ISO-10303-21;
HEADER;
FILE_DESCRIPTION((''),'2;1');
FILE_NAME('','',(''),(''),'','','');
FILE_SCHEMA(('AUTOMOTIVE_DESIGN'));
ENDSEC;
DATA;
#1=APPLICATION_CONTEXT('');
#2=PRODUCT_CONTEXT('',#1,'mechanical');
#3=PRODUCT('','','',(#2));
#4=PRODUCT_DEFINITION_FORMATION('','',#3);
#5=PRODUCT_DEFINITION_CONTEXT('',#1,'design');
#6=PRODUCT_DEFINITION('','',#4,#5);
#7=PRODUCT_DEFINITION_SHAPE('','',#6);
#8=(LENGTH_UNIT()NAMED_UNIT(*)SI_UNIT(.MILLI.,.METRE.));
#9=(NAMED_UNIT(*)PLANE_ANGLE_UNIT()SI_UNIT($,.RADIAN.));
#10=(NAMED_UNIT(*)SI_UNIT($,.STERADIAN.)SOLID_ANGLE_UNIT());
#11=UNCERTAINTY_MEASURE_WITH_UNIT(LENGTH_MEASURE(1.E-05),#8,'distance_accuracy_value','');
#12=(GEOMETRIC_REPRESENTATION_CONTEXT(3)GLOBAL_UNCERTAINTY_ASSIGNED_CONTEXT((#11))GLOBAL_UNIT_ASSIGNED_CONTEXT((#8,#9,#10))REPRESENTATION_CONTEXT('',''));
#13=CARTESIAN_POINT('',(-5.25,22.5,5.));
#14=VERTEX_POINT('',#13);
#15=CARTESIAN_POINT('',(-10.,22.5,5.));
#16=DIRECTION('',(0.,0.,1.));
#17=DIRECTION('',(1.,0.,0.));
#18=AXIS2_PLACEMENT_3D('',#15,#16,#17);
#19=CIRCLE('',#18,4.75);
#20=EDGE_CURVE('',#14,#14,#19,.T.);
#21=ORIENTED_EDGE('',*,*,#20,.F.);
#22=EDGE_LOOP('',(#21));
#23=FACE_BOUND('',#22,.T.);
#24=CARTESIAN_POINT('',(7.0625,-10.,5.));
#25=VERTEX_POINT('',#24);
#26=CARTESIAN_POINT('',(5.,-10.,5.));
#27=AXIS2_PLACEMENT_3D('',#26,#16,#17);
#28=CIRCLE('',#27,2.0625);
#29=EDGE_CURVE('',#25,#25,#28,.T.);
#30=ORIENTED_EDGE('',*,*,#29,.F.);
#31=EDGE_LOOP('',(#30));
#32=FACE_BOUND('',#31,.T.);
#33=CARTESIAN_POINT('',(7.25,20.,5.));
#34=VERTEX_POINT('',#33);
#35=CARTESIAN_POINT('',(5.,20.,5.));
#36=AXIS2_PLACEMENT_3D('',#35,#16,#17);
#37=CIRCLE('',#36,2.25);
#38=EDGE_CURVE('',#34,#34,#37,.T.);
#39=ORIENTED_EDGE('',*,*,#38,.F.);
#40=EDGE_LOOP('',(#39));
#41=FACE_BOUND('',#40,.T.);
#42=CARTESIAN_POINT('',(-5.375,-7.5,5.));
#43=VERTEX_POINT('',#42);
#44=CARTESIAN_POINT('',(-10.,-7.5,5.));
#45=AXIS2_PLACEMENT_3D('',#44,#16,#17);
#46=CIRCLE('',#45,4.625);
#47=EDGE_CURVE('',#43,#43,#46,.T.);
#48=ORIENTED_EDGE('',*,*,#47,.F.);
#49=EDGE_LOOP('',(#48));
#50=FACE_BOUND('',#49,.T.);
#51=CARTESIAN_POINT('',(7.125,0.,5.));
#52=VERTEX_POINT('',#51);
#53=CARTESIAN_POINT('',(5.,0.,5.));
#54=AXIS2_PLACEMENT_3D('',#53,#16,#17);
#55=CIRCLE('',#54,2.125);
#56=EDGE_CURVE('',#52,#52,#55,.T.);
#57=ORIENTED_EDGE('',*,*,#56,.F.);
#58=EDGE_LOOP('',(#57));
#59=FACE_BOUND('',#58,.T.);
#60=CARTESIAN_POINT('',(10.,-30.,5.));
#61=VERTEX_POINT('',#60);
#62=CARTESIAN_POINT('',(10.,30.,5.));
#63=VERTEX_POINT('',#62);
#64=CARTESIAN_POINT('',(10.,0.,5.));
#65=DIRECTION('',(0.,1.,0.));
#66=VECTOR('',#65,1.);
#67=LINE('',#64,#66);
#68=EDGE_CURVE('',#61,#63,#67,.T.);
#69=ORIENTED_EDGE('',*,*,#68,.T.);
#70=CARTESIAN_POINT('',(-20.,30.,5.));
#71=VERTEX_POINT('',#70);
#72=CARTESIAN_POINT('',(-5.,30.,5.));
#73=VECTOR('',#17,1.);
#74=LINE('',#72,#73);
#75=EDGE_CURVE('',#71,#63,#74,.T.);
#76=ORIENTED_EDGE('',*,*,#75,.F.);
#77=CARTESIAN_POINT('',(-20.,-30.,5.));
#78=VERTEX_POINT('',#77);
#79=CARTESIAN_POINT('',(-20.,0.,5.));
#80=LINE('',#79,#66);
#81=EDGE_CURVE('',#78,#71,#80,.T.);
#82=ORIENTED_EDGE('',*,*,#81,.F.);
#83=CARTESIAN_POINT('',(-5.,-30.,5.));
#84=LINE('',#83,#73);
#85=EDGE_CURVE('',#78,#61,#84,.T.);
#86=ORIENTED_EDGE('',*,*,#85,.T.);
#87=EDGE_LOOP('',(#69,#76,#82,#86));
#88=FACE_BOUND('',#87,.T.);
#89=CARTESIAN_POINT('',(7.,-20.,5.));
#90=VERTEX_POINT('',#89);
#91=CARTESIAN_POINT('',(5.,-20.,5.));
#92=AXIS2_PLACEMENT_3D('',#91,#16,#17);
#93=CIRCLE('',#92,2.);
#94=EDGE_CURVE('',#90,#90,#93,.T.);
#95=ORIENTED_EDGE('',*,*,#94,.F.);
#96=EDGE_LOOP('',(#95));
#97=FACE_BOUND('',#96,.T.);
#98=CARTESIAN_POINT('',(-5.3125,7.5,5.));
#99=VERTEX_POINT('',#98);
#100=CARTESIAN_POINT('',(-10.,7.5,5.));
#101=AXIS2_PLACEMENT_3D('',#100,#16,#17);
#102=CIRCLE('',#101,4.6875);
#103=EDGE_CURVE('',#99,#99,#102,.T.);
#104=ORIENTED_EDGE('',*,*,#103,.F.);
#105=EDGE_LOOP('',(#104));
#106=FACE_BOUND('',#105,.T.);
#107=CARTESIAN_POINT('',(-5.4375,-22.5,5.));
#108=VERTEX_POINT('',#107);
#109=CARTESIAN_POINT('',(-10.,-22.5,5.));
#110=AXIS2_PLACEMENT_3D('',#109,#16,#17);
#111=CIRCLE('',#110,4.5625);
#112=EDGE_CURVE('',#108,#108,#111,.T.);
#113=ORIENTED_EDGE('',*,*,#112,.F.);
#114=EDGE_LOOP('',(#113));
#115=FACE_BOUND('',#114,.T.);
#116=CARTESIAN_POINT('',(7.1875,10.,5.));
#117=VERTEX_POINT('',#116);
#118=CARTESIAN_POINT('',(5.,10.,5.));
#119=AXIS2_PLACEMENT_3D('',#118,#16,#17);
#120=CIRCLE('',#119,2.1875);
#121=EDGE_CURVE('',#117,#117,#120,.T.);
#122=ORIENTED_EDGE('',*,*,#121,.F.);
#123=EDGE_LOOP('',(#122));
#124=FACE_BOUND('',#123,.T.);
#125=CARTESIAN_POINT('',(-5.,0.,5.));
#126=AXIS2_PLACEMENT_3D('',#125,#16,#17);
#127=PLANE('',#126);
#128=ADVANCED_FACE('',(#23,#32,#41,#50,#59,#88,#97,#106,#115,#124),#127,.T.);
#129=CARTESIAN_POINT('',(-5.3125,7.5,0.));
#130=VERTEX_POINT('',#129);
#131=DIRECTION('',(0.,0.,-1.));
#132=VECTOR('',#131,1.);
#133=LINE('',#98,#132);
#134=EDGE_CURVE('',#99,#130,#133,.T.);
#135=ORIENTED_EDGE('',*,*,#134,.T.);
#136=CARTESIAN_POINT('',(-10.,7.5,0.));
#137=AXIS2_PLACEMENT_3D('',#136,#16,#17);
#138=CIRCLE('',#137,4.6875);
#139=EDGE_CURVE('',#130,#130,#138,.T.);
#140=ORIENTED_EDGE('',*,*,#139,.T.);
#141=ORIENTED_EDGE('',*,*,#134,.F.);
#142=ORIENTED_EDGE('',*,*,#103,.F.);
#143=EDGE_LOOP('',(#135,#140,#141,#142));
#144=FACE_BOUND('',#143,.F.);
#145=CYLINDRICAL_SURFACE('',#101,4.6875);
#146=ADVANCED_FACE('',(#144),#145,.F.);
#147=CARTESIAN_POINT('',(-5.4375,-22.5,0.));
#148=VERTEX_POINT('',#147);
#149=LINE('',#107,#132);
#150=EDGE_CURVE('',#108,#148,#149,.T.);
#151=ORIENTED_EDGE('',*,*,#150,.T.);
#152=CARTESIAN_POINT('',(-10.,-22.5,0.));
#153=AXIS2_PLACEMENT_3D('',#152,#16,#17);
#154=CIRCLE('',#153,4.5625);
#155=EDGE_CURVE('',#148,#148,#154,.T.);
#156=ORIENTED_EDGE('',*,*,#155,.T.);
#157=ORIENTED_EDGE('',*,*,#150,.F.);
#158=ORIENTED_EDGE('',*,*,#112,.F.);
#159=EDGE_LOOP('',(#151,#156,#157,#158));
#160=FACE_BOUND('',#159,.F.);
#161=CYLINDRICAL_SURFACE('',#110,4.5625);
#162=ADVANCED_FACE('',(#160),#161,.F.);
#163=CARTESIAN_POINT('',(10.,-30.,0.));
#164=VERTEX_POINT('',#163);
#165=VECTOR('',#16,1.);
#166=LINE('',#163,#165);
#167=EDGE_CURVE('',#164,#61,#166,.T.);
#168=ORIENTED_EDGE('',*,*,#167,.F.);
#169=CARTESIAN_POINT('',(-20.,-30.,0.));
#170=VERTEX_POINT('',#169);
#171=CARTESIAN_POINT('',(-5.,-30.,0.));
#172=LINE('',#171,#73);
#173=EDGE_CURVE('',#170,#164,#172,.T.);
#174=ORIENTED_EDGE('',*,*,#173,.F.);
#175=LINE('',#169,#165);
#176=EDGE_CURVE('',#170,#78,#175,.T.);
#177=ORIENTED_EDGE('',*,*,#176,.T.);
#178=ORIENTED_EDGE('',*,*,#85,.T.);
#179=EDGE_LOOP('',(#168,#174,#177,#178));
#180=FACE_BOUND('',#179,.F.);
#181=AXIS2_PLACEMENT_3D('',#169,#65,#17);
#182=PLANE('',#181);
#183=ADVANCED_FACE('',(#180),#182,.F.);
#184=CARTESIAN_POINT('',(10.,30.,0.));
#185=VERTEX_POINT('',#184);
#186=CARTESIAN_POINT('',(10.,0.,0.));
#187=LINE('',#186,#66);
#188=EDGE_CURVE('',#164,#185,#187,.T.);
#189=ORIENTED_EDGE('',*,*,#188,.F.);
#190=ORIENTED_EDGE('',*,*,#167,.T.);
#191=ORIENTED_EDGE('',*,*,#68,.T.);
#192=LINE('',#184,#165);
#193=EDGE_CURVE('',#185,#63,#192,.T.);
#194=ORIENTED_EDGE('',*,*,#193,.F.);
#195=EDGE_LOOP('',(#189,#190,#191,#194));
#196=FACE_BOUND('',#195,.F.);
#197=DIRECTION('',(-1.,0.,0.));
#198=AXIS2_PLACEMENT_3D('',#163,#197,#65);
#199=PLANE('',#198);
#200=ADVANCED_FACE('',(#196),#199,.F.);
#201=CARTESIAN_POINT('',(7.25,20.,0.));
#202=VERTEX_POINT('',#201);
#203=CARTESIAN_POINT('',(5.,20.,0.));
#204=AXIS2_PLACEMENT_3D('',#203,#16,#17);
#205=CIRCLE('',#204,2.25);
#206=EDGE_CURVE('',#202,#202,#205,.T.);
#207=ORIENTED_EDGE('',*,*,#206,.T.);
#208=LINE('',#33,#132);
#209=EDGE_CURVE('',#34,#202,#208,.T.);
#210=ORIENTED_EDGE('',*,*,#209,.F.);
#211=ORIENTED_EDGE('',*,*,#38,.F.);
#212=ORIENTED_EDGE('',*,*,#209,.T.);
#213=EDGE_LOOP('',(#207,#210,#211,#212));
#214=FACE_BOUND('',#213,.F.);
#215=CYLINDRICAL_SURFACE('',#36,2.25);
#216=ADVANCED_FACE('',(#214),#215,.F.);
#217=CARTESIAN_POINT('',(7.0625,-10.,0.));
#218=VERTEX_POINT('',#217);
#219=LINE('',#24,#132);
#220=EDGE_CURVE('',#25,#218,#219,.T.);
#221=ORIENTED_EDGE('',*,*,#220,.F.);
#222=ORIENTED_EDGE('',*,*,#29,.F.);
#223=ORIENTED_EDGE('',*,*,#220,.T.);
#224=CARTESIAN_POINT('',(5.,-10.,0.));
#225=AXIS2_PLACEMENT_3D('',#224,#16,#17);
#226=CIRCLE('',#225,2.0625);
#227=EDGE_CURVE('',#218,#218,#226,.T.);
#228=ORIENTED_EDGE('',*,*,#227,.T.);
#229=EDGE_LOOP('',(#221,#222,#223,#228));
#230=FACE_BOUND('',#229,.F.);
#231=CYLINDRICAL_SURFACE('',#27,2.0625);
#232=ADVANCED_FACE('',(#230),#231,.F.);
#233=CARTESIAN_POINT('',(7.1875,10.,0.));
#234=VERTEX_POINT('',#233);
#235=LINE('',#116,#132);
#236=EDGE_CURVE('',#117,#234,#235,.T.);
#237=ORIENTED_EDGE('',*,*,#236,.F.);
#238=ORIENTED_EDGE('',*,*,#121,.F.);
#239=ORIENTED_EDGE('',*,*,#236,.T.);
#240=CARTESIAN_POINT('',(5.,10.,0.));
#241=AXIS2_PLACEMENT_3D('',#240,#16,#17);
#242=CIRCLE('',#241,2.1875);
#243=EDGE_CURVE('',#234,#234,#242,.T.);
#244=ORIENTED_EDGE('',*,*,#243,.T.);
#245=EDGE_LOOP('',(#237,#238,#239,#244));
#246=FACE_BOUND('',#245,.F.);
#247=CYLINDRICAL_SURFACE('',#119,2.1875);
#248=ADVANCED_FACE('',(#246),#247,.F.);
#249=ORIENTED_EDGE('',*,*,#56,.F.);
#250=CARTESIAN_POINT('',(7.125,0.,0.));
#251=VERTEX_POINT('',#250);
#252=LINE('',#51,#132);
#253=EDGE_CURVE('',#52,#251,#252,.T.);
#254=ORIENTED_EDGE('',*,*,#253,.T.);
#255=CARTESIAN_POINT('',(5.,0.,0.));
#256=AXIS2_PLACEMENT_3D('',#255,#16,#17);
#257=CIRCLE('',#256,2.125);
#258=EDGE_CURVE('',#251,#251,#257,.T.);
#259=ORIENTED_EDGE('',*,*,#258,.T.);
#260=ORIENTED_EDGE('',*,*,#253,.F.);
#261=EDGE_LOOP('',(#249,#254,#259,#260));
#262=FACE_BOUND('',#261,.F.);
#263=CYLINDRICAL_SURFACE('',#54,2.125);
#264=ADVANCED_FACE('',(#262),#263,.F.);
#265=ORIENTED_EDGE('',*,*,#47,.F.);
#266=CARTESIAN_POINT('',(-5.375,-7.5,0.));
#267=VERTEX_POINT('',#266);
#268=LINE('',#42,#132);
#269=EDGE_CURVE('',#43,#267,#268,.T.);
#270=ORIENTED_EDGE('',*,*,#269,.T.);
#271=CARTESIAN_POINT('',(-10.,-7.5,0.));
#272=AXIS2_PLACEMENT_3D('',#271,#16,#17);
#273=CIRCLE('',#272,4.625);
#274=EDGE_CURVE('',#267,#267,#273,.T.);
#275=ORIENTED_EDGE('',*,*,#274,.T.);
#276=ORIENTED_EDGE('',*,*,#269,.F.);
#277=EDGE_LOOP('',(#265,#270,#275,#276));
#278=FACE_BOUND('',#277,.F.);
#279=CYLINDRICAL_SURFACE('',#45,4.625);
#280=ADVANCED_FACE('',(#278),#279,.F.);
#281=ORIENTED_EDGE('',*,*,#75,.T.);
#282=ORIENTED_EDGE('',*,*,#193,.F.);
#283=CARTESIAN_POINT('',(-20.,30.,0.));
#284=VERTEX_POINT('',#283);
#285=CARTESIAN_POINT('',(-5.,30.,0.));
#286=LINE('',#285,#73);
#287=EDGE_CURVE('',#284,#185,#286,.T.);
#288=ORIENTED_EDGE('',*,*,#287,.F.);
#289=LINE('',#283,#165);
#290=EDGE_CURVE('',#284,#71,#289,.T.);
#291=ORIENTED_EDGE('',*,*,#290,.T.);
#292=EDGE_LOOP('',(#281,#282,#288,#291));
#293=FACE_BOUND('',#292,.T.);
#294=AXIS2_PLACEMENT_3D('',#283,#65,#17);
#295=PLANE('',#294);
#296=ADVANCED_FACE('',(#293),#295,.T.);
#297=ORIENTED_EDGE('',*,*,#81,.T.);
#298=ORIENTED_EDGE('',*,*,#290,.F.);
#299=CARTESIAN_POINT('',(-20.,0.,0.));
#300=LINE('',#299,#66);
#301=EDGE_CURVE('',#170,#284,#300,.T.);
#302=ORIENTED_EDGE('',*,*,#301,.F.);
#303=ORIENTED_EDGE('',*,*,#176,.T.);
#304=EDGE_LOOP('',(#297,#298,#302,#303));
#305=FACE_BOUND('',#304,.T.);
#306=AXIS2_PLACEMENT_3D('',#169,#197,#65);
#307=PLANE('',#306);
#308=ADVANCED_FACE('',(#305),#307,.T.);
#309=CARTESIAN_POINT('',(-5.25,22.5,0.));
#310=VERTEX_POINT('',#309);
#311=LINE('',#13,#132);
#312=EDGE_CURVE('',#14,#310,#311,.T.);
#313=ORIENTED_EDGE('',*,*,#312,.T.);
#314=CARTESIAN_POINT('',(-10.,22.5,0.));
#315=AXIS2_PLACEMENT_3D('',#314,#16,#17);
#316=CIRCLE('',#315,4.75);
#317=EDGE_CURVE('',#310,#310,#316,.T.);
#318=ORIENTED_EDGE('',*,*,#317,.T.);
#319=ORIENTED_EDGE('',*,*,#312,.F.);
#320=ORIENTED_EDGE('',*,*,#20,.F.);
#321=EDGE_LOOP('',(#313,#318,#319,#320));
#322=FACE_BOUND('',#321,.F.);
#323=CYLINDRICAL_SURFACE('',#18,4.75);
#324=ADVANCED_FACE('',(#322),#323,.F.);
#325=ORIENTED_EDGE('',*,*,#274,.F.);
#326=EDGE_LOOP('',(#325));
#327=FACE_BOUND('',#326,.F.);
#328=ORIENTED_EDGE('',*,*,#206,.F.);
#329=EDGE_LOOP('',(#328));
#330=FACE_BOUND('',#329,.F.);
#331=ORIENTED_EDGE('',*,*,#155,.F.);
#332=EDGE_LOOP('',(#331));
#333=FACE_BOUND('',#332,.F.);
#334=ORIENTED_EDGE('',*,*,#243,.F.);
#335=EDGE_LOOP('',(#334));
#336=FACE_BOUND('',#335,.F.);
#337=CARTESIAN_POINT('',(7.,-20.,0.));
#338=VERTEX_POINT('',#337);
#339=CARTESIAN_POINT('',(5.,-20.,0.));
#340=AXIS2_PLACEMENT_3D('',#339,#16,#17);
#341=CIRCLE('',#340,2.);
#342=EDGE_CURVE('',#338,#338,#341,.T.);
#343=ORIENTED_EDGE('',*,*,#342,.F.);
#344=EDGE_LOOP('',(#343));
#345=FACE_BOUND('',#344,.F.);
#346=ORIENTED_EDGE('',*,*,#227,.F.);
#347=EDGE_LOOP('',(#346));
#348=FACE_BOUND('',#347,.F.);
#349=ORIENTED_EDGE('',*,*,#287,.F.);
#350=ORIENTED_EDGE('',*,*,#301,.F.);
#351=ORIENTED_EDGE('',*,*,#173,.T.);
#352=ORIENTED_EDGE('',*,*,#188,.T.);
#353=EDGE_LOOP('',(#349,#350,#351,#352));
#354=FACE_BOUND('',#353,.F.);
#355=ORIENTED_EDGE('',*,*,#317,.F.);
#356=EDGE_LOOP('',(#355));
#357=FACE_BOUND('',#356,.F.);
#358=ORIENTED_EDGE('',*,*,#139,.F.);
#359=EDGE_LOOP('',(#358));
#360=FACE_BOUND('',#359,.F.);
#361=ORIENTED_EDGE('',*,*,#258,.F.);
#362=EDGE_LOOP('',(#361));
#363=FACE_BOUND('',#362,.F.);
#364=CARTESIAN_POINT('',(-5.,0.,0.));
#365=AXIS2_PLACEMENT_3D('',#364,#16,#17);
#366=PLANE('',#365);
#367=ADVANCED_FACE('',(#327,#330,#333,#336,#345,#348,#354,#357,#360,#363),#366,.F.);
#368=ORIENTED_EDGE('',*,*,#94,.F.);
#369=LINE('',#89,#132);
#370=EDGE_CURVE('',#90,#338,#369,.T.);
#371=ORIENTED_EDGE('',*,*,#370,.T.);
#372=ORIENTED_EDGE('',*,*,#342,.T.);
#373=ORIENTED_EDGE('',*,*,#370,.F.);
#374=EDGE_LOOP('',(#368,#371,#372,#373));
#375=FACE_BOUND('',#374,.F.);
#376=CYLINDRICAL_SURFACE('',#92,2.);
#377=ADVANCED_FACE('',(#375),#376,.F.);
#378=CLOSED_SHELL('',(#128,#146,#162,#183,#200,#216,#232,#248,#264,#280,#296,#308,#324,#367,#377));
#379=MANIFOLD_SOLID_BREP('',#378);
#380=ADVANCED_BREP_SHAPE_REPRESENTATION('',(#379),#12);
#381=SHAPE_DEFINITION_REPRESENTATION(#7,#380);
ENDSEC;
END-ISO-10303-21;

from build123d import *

# Parameters (mm, degrees)
F0_W     = 30
F0_H     = 60
F1_DEPTH = 5
F2_R     = 4.75
F2_R_2   = 4.6875
F2_R_3   = 4.625
F2_R_4   = 4.5625
F2_R_5   = 2
F2_R_6   = 2.0625
F2_R_7   = 2.125
F2_R_8   = 2.1875
F2_R_9   = 2.25
F3_DEPTH = 5.001


with BuildPart() as f1:
    # F0 (on Top) → F1 (new body)
    with BuildSketch(Plane.XY):
        with Locations((-5, 0)):
            Rectangle(F0_W, F0_H)
    extrude(amount=F1_DEPTH)

    # F2 (on face) → F3 (cut, through all)
    with BuildSketch(Plane.XY.offset(5)):
        with Locations((-10, 22.5)):
            Circle(F2_R)
        with Locations((-10, 7.5)):
            Circle(F2_R_2)
        with Locations((-10, -7.5)):
            Circle(F2_R_3)
        with Locations((-10, -22.5)):
            Circle(F2_R_4)
        with Locations((5, -20)):
            Circle(F2_R_5)
        with Locations((5, -10)):
            Circle(F2_R_6)
        with Locations((5, 0)):
            Circle(F2_R_7)
        with Locations((5, 10)):
            Circle(F2_R_8)
        with Locations((5, 20)):
            Circle(F2_R_9)
    extrude(amount=-F3_DEPTH, mode=Mode.SUBTRACT)


solid = f1.part
